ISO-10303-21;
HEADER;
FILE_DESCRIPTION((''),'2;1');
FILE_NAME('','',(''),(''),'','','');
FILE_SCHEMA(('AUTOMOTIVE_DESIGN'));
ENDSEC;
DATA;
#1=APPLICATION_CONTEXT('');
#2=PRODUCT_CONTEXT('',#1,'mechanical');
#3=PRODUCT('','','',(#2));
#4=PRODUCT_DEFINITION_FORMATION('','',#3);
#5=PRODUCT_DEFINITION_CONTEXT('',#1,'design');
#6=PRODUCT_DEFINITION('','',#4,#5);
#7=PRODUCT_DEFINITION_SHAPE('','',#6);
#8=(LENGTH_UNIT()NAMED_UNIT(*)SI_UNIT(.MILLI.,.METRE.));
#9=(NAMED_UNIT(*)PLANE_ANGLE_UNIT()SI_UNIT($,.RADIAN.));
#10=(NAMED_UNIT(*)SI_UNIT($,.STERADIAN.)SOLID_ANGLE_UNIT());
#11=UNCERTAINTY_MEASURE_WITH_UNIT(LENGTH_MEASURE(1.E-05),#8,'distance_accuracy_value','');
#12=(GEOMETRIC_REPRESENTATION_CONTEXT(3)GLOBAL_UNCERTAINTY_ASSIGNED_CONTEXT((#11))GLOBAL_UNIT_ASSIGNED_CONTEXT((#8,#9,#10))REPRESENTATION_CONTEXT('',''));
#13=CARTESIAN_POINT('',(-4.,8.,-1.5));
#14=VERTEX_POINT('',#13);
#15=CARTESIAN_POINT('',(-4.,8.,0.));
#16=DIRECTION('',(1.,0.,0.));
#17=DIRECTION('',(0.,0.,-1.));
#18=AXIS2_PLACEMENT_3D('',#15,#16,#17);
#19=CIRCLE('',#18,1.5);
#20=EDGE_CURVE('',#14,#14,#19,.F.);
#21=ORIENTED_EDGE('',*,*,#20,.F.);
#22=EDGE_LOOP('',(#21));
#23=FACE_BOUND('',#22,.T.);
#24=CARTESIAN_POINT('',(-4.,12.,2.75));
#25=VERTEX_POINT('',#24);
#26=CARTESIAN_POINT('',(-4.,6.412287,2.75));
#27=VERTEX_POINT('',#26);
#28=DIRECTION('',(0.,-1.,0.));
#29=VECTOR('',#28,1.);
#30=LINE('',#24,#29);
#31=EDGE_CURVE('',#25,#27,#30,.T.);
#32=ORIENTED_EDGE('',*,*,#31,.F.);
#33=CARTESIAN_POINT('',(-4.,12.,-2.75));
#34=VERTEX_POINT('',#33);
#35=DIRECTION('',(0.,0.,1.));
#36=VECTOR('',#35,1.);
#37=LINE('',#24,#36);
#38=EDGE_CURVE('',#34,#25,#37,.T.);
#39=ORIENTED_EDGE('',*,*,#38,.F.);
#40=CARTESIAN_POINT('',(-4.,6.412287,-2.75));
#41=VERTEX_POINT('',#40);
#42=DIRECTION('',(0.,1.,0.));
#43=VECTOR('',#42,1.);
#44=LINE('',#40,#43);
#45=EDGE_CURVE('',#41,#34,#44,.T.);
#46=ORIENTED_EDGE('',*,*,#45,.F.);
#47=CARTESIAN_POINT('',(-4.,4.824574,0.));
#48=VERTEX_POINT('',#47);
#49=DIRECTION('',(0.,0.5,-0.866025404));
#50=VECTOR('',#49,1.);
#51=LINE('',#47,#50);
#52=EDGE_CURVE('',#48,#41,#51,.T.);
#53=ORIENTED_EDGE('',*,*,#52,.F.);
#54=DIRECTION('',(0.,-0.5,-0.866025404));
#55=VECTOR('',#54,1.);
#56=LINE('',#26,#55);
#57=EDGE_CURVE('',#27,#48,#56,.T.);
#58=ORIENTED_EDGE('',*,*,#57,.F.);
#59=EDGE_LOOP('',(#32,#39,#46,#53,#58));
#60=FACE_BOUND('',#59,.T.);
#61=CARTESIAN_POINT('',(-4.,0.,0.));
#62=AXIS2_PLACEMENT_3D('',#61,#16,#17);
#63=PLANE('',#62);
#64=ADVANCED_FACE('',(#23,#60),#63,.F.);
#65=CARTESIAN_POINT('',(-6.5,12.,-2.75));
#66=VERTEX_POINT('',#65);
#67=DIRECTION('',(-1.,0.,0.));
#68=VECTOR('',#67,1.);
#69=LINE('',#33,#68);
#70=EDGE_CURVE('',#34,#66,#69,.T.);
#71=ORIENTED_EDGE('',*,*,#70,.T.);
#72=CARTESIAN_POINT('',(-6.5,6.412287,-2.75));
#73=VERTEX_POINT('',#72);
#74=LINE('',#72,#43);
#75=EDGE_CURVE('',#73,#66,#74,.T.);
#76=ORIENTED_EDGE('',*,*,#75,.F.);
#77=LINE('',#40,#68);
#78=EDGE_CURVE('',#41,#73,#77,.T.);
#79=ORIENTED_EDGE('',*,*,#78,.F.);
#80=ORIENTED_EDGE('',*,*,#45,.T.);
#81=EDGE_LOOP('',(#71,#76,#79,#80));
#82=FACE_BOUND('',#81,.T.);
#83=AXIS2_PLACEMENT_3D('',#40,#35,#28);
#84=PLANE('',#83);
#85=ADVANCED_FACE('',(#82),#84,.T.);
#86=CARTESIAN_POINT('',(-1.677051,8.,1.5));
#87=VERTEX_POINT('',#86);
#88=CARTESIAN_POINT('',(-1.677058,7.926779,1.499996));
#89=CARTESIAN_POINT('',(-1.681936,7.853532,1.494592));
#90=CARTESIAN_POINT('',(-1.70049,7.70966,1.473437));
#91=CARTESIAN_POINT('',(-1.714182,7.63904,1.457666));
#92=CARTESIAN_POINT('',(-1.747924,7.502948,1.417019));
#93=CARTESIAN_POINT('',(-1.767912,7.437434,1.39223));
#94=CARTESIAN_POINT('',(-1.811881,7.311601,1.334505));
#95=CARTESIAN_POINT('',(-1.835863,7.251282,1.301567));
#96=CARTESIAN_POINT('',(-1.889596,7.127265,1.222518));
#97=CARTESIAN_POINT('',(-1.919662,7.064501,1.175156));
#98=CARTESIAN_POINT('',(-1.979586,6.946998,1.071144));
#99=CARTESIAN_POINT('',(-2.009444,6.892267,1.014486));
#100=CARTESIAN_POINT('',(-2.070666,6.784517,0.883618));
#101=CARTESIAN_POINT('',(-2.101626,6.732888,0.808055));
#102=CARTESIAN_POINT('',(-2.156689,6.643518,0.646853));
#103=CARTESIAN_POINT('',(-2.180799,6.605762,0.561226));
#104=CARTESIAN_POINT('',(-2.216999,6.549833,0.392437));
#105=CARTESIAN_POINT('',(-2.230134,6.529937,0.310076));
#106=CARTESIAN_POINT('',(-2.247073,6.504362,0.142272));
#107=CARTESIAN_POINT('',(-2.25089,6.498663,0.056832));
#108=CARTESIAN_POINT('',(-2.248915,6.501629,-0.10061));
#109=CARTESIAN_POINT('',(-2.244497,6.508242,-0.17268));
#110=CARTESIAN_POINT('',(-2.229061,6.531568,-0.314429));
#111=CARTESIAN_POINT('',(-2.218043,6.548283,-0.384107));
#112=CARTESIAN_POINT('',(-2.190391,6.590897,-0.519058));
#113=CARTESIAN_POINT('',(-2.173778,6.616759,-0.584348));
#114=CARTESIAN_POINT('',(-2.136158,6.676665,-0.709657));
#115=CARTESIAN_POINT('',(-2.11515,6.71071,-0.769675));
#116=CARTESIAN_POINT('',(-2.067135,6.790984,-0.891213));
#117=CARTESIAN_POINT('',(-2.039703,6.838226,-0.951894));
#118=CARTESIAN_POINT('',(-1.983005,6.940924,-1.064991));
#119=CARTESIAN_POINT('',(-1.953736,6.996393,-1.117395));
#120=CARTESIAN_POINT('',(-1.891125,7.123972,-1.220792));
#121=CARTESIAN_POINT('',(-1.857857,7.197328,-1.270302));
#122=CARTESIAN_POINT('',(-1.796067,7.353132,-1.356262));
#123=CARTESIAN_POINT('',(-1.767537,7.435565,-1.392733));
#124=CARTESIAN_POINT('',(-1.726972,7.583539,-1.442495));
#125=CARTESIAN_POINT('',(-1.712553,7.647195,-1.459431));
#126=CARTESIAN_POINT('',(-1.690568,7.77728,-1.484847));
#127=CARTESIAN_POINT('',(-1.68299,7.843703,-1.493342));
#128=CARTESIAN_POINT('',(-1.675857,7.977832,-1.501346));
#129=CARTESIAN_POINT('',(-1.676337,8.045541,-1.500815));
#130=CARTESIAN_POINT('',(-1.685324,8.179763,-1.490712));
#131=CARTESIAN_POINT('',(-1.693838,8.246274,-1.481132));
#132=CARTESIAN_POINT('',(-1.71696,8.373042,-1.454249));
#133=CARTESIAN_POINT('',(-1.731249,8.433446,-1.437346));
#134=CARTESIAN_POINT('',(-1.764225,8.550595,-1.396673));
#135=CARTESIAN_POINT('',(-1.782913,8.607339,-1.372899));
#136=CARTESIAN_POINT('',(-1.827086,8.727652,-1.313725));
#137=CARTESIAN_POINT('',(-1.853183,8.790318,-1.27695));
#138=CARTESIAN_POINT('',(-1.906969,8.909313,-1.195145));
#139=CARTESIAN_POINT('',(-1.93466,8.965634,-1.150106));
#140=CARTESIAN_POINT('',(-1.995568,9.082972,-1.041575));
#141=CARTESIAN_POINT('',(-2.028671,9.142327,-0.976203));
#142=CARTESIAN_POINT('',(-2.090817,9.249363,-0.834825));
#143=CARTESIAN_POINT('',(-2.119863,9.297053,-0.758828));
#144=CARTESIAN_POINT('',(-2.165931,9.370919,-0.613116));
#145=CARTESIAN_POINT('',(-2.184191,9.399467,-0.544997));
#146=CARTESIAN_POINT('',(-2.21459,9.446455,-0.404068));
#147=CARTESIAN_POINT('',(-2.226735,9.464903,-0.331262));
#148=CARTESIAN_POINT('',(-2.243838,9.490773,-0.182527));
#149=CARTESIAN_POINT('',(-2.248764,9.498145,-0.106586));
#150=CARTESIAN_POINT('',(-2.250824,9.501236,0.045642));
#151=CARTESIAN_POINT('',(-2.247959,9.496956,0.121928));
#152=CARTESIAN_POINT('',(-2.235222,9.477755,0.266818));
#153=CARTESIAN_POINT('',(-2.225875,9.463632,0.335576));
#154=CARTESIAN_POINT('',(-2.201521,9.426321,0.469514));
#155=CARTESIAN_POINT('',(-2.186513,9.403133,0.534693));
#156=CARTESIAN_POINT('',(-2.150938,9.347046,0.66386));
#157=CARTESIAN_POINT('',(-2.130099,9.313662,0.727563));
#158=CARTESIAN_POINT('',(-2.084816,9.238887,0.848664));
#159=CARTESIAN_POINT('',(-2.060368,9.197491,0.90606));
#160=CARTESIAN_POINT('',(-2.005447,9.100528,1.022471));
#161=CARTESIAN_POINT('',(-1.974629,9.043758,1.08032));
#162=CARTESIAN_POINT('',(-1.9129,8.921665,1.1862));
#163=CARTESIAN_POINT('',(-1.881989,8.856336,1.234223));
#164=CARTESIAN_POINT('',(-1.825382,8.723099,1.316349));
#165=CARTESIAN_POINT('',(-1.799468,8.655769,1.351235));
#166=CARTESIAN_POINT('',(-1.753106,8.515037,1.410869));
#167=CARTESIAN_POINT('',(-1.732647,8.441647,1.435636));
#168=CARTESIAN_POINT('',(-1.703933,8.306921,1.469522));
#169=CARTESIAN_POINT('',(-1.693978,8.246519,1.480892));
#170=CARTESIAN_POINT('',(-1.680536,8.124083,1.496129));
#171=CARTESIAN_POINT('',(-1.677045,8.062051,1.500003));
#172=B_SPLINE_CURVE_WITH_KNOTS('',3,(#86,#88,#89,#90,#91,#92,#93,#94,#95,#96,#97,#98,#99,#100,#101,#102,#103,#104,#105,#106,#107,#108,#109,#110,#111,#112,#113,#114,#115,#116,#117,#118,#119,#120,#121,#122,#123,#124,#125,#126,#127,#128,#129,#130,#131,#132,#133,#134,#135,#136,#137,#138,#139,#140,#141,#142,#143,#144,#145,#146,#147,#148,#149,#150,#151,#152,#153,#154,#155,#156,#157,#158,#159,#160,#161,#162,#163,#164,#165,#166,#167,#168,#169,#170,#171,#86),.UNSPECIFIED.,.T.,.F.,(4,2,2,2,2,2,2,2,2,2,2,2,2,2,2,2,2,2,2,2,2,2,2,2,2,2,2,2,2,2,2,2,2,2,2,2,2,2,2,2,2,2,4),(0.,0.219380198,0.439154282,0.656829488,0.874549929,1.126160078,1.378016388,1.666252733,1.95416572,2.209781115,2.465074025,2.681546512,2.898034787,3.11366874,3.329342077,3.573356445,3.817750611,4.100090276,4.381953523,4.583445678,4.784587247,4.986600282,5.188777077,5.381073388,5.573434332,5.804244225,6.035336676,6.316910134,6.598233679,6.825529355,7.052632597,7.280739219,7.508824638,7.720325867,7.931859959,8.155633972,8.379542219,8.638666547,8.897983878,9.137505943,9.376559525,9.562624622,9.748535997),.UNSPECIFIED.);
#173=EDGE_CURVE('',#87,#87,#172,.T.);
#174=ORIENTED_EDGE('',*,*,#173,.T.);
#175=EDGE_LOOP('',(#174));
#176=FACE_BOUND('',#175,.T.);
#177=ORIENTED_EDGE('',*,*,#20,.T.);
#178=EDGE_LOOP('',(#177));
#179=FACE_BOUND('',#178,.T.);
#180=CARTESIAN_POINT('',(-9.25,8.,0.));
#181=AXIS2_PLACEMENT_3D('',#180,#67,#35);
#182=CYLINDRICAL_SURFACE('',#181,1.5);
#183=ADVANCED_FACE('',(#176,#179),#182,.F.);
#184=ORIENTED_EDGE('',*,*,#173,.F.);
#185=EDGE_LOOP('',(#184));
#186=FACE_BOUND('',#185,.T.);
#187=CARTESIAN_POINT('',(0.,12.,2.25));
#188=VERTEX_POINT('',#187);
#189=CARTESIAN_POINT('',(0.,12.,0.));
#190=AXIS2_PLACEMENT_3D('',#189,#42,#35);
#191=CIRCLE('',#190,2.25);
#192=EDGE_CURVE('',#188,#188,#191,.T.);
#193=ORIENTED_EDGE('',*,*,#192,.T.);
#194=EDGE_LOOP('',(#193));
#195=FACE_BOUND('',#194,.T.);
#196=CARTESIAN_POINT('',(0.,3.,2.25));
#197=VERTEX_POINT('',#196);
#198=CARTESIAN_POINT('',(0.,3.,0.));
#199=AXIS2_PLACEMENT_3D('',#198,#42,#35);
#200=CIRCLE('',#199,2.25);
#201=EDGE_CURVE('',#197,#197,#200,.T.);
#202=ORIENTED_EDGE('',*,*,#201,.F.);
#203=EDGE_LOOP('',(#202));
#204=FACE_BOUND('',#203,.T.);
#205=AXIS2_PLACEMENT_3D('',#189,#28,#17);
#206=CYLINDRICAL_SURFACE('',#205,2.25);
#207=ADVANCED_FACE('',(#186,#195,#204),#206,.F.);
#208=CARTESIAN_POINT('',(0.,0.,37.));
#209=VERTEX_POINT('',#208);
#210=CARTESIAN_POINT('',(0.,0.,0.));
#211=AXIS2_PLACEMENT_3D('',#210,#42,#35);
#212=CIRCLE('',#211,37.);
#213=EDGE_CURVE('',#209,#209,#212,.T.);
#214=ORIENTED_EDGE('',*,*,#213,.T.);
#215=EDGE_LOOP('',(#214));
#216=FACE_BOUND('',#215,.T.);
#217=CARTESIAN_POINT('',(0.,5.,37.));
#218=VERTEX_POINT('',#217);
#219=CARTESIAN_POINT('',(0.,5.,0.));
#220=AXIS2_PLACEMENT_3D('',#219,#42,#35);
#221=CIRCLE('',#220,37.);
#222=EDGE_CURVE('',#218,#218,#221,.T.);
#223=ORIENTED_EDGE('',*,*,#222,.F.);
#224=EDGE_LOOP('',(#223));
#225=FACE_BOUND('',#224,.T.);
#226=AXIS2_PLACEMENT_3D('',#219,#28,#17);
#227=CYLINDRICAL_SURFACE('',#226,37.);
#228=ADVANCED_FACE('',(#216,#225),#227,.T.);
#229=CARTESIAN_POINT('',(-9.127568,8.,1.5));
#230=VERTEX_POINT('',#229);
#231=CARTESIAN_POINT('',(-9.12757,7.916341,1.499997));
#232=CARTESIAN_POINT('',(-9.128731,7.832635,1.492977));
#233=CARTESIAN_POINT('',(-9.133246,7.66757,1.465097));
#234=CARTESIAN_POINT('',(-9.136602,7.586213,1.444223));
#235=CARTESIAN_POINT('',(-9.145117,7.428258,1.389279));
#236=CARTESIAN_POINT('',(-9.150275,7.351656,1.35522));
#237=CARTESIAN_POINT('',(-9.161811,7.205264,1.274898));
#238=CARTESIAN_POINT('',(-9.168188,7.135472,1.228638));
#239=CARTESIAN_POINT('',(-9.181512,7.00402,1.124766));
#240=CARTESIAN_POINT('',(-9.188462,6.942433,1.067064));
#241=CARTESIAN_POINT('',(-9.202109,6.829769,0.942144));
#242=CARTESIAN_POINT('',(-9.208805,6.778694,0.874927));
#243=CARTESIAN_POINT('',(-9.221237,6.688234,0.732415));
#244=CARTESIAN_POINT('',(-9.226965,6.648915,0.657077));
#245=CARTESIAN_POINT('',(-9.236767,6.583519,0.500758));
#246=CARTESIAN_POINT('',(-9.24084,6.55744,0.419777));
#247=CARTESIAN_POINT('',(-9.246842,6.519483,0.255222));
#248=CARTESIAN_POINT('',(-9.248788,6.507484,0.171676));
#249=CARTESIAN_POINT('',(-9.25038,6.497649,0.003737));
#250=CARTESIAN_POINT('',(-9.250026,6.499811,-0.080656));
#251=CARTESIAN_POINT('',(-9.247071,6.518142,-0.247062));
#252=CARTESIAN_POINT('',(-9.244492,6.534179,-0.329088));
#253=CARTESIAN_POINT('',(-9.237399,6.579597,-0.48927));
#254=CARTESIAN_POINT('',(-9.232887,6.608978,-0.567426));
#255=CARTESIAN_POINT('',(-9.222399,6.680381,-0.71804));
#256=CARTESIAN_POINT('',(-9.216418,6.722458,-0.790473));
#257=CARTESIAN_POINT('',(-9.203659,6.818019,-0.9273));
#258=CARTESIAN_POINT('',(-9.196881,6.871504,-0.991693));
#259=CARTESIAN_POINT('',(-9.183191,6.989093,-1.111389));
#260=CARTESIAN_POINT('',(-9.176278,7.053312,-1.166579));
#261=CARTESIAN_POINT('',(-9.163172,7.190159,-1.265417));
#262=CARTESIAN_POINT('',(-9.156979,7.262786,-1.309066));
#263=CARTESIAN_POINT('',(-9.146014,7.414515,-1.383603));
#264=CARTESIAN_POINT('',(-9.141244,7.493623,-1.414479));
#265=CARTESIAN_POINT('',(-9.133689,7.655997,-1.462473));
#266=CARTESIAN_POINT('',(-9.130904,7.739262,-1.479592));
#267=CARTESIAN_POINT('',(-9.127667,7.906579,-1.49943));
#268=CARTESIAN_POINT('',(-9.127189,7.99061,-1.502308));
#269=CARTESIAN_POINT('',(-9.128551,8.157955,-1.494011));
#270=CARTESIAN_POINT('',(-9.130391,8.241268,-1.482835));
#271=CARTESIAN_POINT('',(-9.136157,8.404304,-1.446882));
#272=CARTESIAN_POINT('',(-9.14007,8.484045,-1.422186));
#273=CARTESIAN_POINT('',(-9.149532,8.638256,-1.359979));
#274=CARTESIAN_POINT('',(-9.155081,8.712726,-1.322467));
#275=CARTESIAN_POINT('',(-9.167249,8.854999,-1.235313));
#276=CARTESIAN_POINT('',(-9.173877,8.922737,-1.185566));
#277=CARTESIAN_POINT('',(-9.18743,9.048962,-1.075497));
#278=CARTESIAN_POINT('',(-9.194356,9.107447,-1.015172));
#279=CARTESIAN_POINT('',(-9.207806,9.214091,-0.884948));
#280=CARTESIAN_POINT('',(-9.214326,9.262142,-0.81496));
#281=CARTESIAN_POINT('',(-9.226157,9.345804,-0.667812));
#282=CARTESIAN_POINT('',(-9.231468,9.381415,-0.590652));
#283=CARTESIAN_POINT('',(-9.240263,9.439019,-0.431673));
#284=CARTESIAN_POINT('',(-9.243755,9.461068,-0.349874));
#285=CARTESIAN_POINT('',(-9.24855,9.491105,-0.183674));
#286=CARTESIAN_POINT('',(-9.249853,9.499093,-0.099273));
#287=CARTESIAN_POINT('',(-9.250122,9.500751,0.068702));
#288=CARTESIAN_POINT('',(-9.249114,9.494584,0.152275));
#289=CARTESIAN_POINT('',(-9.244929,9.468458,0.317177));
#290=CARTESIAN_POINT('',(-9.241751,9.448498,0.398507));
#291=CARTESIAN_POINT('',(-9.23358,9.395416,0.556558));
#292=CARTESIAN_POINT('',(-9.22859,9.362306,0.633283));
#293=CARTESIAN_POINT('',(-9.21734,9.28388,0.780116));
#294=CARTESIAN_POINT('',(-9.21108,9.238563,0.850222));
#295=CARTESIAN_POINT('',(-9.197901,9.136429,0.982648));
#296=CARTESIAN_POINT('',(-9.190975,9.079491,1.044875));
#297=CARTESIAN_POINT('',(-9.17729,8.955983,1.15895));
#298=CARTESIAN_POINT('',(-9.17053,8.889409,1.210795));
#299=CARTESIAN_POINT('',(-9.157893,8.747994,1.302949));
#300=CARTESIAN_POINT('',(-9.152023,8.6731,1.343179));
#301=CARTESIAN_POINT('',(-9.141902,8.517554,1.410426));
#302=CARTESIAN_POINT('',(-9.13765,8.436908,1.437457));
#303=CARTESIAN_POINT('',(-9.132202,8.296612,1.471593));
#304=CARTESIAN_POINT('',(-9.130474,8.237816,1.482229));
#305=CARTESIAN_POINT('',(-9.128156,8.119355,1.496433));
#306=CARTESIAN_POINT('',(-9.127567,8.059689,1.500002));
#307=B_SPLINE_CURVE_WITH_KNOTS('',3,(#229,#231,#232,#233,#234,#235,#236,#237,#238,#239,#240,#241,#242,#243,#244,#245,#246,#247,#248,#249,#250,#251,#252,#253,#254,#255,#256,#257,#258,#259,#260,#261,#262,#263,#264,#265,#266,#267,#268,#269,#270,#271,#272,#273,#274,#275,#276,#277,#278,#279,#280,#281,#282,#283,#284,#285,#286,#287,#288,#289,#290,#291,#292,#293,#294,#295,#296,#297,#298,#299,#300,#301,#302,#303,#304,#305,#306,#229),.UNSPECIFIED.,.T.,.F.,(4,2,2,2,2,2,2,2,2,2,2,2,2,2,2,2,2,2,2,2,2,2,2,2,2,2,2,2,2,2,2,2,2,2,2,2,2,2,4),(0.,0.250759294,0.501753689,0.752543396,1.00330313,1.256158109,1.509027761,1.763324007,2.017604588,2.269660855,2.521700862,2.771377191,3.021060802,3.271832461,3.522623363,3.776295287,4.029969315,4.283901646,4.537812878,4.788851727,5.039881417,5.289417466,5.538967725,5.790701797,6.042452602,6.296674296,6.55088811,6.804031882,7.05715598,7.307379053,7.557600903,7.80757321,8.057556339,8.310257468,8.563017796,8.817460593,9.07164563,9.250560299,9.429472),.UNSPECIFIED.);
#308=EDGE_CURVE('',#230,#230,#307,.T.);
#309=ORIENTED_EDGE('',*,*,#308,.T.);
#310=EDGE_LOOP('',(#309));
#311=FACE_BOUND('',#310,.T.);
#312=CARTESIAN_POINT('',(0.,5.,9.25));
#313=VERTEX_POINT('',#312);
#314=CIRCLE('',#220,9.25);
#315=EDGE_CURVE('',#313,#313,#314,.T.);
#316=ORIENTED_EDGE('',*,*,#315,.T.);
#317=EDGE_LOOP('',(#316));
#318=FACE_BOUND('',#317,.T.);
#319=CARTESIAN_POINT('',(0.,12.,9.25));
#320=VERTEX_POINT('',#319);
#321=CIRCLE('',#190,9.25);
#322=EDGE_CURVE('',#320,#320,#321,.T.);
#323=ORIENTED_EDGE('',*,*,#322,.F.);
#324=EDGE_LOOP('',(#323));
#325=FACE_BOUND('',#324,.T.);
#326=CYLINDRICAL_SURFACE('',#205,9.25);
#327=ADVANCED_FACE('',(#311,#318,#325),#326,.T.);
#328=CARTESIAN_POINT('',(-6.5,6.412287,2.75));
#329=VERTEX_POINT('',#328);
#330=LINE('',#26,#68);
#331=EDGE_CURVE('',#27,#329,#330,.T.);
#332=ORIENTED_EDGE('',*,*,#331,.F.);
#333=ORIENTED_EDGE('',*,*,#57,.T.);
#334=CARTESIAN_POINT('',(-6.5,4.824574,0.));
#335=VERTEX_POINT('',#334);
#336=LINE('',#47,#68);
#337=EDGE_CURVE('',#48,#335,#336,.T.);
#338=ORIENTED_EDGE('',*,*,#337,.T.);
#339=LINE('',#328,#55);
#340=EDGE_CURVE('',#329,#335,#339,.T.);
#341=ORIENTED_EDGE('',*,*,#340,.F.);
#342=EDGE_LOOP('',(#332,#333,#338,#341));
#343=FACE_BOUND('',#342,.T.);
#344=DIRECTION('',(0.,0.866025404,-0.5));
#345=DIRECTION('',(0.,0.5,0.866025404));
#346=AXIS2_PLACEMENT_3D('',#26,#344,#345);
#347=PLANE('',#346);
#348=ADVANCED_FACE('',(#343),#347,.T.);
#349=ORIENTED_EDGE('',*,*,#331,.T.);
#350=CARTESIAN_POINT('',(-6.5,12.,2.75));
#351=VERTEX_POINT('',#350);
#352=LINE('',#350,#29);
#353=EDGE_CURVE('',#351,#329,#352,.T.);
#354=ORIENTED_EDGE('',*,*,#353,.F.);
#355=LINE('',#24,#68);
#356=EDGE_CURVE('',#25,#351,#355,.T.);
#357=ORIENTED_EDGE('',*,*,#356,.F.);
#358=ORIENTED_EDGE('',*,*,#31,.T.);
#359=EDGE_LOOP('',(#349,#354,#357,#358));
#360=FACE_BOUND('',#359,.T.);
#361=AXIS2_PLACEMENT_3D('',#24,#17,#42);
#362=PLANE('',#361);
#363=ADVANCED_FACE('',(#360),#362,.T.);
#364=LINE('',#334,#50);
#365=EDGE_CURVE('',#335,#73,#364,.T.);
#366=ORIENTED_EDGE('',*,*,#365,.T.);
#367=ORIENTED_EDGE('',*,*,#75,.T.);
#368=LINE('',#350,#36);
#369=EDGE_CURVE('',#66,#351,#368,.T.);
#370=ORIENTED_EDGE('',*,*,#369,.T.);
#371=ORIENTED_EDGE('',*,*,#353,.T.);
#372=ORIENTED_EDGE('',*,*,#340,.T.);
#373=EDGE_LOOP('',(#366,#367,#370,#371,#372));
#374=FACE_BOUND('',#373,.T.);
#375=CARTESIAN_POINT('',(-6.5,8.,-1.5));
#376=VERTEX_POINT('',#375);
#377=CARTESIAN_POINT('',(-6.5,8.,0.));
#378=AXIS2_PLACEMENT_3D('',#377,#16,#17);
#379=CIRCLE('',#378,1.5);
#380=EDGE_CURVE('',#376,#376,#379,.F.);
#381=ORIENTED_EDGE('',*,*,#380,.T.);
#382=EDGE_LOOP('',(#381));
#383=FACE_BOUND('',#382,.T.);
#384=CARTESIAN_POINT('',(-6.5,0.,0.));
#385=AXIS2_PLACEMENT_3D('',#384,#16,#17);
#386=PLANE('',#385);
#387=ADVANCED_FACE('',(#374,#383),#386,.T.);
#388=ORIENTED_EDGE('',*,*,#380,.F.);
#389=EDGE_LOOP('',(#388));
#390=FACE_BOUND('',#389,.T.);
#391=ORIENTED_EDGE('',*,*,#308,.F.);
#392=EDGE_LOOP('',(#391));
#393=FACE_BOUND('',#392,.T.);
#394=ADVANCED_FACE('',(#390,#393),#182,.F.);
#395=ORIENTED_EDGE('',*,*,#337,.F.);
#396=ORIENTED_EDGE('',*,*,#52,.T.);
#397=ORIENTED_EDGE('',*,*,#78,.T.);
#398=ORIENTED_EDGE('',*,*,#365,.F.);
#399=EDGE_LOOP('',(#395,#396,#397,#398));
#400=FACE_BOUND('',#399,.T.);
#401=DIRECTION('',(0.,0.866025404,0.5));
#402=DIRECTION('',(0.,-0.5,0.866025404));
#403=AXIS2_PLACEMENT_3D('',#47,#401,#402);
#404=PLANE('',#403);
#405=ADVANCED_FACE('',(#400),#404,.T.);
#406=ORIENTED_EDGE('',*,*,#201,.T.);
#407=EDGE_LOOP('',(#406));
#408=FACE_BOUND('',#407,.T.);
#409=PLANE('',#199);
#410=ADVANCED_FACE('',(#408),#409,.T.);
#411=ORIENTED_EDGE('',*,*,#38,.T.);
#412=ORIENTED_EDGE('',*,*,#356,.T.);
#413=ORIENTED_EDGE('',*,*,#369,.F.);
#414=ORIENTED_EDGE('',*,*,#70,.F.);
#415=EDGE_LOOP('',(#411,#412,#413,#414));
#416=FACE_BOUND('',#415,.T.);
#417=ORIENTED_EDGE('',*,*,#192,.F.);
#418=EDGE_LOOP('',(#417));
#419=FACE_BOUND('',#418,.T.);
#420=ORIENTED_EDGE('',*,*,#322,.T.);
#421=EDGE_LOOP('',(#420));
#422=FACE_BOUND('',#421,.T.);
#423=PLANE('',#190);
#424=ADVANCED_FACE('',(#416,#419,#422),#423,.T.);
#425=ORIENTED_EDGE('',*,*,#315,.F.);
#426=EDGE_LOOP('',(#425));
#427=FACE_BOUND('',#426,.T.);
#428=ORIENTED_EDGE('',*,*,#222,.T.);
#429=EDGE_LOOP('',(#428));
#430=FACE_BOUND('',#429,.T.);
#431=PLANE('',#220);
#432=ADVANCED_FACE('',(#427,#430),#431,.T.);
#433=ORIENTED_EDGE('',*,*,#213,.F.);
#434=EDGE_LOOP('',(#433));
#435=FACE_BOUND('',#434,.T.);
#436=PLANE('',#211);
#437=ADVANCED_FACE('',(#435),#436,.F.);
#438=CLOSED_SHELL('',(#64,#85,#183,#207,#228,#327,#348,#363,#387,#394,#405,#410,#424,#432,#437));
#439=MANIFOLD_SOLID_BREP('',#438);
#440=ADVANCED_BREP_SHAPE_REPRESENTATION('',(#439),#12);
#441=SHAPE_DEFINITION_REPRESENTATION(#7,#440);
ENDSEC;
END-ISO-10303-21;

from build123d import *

# Parameters (mm, degrees)
SKETCH1_R                 = 37
BOSS_EXTRUDE1_DEPTH       = 5
SKETCH2_R                 = 9.25
SKETCH2_R_2               = 2.25
BOSS_EXTRUDE2_DEPTH       = 7
F_1_0MM_DOWEL_HOLE1_D     = 3
F_1_0MM_DOWEL_HOLE1_DEPTH = 8
CUT_EXTRUDE1_START        = -2
SKETCH5_R                 = 2.25
CUT_EXTRUDE1_DEPTH        = 2
CUT_EXTRUDE2_DEPTH        = 2.5


with BuildPart() as part:
    # Sketch1 → Boss-Extrude1 (new body)
    with BuildSketch(Plane(origin=(0, 0, 0), x_dir=(1, 0, 0), z_dir=(0, 1, 0))):
        with Locations(Location((0, 0, 0), (0, 0, 270))):
            Circle(SKETCH1_R)
    extrude(amount=BOSS_EXTRUDE1_DEPTH)

    # Sketch2 → Boss-Extrude2 (add)
    with BuildSketch(Plane(origin=(0, 5, 0), x_dir=(1, 0, 0), z_dir=(0, 1, 0))):
        with Locations(Location((0, 0, 0), (0, 0, 270))):
            Circle(SKETCH2_R)
        with Locations(Location((0, 0, 0), (0, 0, 270))):
            Circle(SKETCH2_R_2, mode=Mode.SUBTRACT)
    extrude(amount=BOSS_EXTRUDE2_DEPTH)

    # Ø1.0mm Dowel Hole1
    with Locations(Plane.ZY.offset(9.25)):
        with Locations((0, 8)):
            Hole(F_1_0MM_DOWEL_HOLE1_D / 2, depth=F_1_0MM_DOWEL_HOLE1_DEPTH)

    # Sketch5 → Cut-Extrude1 (cut)
    with BuildSketch(Plane(origin=(0, 5, 0), x_dir=(1, 0, 0), z_dir=(0, 1, 0)).offset(CUT_EXTRUDE1_START)):
        with Locations(Location((0, 0, 0), (0, 0, 270))):
            Circle(SKETCH5_R)
    extrude(amount=CUT_EXTRUDE1_DEPTH, mode=Mode.SUBTRACT)

    # Sketch6 → Cut-Extrude2 (cut)
    with BuildSketch(Plane(origin=(-6.5, 0, 0), x_dir=(0, 0, -1), z_dir=(1, 0, 0))):
        Polygon((-2.75, 12), (-2.75, 6.41228676), (0, 4.824573519), (2.75, 6.41228676), (2.75, 12), align=None)
    extrude(amount=CUT_EXTRUDE2_DEPTH, mode=Mode.SUBTRACT)


solid = part.part
